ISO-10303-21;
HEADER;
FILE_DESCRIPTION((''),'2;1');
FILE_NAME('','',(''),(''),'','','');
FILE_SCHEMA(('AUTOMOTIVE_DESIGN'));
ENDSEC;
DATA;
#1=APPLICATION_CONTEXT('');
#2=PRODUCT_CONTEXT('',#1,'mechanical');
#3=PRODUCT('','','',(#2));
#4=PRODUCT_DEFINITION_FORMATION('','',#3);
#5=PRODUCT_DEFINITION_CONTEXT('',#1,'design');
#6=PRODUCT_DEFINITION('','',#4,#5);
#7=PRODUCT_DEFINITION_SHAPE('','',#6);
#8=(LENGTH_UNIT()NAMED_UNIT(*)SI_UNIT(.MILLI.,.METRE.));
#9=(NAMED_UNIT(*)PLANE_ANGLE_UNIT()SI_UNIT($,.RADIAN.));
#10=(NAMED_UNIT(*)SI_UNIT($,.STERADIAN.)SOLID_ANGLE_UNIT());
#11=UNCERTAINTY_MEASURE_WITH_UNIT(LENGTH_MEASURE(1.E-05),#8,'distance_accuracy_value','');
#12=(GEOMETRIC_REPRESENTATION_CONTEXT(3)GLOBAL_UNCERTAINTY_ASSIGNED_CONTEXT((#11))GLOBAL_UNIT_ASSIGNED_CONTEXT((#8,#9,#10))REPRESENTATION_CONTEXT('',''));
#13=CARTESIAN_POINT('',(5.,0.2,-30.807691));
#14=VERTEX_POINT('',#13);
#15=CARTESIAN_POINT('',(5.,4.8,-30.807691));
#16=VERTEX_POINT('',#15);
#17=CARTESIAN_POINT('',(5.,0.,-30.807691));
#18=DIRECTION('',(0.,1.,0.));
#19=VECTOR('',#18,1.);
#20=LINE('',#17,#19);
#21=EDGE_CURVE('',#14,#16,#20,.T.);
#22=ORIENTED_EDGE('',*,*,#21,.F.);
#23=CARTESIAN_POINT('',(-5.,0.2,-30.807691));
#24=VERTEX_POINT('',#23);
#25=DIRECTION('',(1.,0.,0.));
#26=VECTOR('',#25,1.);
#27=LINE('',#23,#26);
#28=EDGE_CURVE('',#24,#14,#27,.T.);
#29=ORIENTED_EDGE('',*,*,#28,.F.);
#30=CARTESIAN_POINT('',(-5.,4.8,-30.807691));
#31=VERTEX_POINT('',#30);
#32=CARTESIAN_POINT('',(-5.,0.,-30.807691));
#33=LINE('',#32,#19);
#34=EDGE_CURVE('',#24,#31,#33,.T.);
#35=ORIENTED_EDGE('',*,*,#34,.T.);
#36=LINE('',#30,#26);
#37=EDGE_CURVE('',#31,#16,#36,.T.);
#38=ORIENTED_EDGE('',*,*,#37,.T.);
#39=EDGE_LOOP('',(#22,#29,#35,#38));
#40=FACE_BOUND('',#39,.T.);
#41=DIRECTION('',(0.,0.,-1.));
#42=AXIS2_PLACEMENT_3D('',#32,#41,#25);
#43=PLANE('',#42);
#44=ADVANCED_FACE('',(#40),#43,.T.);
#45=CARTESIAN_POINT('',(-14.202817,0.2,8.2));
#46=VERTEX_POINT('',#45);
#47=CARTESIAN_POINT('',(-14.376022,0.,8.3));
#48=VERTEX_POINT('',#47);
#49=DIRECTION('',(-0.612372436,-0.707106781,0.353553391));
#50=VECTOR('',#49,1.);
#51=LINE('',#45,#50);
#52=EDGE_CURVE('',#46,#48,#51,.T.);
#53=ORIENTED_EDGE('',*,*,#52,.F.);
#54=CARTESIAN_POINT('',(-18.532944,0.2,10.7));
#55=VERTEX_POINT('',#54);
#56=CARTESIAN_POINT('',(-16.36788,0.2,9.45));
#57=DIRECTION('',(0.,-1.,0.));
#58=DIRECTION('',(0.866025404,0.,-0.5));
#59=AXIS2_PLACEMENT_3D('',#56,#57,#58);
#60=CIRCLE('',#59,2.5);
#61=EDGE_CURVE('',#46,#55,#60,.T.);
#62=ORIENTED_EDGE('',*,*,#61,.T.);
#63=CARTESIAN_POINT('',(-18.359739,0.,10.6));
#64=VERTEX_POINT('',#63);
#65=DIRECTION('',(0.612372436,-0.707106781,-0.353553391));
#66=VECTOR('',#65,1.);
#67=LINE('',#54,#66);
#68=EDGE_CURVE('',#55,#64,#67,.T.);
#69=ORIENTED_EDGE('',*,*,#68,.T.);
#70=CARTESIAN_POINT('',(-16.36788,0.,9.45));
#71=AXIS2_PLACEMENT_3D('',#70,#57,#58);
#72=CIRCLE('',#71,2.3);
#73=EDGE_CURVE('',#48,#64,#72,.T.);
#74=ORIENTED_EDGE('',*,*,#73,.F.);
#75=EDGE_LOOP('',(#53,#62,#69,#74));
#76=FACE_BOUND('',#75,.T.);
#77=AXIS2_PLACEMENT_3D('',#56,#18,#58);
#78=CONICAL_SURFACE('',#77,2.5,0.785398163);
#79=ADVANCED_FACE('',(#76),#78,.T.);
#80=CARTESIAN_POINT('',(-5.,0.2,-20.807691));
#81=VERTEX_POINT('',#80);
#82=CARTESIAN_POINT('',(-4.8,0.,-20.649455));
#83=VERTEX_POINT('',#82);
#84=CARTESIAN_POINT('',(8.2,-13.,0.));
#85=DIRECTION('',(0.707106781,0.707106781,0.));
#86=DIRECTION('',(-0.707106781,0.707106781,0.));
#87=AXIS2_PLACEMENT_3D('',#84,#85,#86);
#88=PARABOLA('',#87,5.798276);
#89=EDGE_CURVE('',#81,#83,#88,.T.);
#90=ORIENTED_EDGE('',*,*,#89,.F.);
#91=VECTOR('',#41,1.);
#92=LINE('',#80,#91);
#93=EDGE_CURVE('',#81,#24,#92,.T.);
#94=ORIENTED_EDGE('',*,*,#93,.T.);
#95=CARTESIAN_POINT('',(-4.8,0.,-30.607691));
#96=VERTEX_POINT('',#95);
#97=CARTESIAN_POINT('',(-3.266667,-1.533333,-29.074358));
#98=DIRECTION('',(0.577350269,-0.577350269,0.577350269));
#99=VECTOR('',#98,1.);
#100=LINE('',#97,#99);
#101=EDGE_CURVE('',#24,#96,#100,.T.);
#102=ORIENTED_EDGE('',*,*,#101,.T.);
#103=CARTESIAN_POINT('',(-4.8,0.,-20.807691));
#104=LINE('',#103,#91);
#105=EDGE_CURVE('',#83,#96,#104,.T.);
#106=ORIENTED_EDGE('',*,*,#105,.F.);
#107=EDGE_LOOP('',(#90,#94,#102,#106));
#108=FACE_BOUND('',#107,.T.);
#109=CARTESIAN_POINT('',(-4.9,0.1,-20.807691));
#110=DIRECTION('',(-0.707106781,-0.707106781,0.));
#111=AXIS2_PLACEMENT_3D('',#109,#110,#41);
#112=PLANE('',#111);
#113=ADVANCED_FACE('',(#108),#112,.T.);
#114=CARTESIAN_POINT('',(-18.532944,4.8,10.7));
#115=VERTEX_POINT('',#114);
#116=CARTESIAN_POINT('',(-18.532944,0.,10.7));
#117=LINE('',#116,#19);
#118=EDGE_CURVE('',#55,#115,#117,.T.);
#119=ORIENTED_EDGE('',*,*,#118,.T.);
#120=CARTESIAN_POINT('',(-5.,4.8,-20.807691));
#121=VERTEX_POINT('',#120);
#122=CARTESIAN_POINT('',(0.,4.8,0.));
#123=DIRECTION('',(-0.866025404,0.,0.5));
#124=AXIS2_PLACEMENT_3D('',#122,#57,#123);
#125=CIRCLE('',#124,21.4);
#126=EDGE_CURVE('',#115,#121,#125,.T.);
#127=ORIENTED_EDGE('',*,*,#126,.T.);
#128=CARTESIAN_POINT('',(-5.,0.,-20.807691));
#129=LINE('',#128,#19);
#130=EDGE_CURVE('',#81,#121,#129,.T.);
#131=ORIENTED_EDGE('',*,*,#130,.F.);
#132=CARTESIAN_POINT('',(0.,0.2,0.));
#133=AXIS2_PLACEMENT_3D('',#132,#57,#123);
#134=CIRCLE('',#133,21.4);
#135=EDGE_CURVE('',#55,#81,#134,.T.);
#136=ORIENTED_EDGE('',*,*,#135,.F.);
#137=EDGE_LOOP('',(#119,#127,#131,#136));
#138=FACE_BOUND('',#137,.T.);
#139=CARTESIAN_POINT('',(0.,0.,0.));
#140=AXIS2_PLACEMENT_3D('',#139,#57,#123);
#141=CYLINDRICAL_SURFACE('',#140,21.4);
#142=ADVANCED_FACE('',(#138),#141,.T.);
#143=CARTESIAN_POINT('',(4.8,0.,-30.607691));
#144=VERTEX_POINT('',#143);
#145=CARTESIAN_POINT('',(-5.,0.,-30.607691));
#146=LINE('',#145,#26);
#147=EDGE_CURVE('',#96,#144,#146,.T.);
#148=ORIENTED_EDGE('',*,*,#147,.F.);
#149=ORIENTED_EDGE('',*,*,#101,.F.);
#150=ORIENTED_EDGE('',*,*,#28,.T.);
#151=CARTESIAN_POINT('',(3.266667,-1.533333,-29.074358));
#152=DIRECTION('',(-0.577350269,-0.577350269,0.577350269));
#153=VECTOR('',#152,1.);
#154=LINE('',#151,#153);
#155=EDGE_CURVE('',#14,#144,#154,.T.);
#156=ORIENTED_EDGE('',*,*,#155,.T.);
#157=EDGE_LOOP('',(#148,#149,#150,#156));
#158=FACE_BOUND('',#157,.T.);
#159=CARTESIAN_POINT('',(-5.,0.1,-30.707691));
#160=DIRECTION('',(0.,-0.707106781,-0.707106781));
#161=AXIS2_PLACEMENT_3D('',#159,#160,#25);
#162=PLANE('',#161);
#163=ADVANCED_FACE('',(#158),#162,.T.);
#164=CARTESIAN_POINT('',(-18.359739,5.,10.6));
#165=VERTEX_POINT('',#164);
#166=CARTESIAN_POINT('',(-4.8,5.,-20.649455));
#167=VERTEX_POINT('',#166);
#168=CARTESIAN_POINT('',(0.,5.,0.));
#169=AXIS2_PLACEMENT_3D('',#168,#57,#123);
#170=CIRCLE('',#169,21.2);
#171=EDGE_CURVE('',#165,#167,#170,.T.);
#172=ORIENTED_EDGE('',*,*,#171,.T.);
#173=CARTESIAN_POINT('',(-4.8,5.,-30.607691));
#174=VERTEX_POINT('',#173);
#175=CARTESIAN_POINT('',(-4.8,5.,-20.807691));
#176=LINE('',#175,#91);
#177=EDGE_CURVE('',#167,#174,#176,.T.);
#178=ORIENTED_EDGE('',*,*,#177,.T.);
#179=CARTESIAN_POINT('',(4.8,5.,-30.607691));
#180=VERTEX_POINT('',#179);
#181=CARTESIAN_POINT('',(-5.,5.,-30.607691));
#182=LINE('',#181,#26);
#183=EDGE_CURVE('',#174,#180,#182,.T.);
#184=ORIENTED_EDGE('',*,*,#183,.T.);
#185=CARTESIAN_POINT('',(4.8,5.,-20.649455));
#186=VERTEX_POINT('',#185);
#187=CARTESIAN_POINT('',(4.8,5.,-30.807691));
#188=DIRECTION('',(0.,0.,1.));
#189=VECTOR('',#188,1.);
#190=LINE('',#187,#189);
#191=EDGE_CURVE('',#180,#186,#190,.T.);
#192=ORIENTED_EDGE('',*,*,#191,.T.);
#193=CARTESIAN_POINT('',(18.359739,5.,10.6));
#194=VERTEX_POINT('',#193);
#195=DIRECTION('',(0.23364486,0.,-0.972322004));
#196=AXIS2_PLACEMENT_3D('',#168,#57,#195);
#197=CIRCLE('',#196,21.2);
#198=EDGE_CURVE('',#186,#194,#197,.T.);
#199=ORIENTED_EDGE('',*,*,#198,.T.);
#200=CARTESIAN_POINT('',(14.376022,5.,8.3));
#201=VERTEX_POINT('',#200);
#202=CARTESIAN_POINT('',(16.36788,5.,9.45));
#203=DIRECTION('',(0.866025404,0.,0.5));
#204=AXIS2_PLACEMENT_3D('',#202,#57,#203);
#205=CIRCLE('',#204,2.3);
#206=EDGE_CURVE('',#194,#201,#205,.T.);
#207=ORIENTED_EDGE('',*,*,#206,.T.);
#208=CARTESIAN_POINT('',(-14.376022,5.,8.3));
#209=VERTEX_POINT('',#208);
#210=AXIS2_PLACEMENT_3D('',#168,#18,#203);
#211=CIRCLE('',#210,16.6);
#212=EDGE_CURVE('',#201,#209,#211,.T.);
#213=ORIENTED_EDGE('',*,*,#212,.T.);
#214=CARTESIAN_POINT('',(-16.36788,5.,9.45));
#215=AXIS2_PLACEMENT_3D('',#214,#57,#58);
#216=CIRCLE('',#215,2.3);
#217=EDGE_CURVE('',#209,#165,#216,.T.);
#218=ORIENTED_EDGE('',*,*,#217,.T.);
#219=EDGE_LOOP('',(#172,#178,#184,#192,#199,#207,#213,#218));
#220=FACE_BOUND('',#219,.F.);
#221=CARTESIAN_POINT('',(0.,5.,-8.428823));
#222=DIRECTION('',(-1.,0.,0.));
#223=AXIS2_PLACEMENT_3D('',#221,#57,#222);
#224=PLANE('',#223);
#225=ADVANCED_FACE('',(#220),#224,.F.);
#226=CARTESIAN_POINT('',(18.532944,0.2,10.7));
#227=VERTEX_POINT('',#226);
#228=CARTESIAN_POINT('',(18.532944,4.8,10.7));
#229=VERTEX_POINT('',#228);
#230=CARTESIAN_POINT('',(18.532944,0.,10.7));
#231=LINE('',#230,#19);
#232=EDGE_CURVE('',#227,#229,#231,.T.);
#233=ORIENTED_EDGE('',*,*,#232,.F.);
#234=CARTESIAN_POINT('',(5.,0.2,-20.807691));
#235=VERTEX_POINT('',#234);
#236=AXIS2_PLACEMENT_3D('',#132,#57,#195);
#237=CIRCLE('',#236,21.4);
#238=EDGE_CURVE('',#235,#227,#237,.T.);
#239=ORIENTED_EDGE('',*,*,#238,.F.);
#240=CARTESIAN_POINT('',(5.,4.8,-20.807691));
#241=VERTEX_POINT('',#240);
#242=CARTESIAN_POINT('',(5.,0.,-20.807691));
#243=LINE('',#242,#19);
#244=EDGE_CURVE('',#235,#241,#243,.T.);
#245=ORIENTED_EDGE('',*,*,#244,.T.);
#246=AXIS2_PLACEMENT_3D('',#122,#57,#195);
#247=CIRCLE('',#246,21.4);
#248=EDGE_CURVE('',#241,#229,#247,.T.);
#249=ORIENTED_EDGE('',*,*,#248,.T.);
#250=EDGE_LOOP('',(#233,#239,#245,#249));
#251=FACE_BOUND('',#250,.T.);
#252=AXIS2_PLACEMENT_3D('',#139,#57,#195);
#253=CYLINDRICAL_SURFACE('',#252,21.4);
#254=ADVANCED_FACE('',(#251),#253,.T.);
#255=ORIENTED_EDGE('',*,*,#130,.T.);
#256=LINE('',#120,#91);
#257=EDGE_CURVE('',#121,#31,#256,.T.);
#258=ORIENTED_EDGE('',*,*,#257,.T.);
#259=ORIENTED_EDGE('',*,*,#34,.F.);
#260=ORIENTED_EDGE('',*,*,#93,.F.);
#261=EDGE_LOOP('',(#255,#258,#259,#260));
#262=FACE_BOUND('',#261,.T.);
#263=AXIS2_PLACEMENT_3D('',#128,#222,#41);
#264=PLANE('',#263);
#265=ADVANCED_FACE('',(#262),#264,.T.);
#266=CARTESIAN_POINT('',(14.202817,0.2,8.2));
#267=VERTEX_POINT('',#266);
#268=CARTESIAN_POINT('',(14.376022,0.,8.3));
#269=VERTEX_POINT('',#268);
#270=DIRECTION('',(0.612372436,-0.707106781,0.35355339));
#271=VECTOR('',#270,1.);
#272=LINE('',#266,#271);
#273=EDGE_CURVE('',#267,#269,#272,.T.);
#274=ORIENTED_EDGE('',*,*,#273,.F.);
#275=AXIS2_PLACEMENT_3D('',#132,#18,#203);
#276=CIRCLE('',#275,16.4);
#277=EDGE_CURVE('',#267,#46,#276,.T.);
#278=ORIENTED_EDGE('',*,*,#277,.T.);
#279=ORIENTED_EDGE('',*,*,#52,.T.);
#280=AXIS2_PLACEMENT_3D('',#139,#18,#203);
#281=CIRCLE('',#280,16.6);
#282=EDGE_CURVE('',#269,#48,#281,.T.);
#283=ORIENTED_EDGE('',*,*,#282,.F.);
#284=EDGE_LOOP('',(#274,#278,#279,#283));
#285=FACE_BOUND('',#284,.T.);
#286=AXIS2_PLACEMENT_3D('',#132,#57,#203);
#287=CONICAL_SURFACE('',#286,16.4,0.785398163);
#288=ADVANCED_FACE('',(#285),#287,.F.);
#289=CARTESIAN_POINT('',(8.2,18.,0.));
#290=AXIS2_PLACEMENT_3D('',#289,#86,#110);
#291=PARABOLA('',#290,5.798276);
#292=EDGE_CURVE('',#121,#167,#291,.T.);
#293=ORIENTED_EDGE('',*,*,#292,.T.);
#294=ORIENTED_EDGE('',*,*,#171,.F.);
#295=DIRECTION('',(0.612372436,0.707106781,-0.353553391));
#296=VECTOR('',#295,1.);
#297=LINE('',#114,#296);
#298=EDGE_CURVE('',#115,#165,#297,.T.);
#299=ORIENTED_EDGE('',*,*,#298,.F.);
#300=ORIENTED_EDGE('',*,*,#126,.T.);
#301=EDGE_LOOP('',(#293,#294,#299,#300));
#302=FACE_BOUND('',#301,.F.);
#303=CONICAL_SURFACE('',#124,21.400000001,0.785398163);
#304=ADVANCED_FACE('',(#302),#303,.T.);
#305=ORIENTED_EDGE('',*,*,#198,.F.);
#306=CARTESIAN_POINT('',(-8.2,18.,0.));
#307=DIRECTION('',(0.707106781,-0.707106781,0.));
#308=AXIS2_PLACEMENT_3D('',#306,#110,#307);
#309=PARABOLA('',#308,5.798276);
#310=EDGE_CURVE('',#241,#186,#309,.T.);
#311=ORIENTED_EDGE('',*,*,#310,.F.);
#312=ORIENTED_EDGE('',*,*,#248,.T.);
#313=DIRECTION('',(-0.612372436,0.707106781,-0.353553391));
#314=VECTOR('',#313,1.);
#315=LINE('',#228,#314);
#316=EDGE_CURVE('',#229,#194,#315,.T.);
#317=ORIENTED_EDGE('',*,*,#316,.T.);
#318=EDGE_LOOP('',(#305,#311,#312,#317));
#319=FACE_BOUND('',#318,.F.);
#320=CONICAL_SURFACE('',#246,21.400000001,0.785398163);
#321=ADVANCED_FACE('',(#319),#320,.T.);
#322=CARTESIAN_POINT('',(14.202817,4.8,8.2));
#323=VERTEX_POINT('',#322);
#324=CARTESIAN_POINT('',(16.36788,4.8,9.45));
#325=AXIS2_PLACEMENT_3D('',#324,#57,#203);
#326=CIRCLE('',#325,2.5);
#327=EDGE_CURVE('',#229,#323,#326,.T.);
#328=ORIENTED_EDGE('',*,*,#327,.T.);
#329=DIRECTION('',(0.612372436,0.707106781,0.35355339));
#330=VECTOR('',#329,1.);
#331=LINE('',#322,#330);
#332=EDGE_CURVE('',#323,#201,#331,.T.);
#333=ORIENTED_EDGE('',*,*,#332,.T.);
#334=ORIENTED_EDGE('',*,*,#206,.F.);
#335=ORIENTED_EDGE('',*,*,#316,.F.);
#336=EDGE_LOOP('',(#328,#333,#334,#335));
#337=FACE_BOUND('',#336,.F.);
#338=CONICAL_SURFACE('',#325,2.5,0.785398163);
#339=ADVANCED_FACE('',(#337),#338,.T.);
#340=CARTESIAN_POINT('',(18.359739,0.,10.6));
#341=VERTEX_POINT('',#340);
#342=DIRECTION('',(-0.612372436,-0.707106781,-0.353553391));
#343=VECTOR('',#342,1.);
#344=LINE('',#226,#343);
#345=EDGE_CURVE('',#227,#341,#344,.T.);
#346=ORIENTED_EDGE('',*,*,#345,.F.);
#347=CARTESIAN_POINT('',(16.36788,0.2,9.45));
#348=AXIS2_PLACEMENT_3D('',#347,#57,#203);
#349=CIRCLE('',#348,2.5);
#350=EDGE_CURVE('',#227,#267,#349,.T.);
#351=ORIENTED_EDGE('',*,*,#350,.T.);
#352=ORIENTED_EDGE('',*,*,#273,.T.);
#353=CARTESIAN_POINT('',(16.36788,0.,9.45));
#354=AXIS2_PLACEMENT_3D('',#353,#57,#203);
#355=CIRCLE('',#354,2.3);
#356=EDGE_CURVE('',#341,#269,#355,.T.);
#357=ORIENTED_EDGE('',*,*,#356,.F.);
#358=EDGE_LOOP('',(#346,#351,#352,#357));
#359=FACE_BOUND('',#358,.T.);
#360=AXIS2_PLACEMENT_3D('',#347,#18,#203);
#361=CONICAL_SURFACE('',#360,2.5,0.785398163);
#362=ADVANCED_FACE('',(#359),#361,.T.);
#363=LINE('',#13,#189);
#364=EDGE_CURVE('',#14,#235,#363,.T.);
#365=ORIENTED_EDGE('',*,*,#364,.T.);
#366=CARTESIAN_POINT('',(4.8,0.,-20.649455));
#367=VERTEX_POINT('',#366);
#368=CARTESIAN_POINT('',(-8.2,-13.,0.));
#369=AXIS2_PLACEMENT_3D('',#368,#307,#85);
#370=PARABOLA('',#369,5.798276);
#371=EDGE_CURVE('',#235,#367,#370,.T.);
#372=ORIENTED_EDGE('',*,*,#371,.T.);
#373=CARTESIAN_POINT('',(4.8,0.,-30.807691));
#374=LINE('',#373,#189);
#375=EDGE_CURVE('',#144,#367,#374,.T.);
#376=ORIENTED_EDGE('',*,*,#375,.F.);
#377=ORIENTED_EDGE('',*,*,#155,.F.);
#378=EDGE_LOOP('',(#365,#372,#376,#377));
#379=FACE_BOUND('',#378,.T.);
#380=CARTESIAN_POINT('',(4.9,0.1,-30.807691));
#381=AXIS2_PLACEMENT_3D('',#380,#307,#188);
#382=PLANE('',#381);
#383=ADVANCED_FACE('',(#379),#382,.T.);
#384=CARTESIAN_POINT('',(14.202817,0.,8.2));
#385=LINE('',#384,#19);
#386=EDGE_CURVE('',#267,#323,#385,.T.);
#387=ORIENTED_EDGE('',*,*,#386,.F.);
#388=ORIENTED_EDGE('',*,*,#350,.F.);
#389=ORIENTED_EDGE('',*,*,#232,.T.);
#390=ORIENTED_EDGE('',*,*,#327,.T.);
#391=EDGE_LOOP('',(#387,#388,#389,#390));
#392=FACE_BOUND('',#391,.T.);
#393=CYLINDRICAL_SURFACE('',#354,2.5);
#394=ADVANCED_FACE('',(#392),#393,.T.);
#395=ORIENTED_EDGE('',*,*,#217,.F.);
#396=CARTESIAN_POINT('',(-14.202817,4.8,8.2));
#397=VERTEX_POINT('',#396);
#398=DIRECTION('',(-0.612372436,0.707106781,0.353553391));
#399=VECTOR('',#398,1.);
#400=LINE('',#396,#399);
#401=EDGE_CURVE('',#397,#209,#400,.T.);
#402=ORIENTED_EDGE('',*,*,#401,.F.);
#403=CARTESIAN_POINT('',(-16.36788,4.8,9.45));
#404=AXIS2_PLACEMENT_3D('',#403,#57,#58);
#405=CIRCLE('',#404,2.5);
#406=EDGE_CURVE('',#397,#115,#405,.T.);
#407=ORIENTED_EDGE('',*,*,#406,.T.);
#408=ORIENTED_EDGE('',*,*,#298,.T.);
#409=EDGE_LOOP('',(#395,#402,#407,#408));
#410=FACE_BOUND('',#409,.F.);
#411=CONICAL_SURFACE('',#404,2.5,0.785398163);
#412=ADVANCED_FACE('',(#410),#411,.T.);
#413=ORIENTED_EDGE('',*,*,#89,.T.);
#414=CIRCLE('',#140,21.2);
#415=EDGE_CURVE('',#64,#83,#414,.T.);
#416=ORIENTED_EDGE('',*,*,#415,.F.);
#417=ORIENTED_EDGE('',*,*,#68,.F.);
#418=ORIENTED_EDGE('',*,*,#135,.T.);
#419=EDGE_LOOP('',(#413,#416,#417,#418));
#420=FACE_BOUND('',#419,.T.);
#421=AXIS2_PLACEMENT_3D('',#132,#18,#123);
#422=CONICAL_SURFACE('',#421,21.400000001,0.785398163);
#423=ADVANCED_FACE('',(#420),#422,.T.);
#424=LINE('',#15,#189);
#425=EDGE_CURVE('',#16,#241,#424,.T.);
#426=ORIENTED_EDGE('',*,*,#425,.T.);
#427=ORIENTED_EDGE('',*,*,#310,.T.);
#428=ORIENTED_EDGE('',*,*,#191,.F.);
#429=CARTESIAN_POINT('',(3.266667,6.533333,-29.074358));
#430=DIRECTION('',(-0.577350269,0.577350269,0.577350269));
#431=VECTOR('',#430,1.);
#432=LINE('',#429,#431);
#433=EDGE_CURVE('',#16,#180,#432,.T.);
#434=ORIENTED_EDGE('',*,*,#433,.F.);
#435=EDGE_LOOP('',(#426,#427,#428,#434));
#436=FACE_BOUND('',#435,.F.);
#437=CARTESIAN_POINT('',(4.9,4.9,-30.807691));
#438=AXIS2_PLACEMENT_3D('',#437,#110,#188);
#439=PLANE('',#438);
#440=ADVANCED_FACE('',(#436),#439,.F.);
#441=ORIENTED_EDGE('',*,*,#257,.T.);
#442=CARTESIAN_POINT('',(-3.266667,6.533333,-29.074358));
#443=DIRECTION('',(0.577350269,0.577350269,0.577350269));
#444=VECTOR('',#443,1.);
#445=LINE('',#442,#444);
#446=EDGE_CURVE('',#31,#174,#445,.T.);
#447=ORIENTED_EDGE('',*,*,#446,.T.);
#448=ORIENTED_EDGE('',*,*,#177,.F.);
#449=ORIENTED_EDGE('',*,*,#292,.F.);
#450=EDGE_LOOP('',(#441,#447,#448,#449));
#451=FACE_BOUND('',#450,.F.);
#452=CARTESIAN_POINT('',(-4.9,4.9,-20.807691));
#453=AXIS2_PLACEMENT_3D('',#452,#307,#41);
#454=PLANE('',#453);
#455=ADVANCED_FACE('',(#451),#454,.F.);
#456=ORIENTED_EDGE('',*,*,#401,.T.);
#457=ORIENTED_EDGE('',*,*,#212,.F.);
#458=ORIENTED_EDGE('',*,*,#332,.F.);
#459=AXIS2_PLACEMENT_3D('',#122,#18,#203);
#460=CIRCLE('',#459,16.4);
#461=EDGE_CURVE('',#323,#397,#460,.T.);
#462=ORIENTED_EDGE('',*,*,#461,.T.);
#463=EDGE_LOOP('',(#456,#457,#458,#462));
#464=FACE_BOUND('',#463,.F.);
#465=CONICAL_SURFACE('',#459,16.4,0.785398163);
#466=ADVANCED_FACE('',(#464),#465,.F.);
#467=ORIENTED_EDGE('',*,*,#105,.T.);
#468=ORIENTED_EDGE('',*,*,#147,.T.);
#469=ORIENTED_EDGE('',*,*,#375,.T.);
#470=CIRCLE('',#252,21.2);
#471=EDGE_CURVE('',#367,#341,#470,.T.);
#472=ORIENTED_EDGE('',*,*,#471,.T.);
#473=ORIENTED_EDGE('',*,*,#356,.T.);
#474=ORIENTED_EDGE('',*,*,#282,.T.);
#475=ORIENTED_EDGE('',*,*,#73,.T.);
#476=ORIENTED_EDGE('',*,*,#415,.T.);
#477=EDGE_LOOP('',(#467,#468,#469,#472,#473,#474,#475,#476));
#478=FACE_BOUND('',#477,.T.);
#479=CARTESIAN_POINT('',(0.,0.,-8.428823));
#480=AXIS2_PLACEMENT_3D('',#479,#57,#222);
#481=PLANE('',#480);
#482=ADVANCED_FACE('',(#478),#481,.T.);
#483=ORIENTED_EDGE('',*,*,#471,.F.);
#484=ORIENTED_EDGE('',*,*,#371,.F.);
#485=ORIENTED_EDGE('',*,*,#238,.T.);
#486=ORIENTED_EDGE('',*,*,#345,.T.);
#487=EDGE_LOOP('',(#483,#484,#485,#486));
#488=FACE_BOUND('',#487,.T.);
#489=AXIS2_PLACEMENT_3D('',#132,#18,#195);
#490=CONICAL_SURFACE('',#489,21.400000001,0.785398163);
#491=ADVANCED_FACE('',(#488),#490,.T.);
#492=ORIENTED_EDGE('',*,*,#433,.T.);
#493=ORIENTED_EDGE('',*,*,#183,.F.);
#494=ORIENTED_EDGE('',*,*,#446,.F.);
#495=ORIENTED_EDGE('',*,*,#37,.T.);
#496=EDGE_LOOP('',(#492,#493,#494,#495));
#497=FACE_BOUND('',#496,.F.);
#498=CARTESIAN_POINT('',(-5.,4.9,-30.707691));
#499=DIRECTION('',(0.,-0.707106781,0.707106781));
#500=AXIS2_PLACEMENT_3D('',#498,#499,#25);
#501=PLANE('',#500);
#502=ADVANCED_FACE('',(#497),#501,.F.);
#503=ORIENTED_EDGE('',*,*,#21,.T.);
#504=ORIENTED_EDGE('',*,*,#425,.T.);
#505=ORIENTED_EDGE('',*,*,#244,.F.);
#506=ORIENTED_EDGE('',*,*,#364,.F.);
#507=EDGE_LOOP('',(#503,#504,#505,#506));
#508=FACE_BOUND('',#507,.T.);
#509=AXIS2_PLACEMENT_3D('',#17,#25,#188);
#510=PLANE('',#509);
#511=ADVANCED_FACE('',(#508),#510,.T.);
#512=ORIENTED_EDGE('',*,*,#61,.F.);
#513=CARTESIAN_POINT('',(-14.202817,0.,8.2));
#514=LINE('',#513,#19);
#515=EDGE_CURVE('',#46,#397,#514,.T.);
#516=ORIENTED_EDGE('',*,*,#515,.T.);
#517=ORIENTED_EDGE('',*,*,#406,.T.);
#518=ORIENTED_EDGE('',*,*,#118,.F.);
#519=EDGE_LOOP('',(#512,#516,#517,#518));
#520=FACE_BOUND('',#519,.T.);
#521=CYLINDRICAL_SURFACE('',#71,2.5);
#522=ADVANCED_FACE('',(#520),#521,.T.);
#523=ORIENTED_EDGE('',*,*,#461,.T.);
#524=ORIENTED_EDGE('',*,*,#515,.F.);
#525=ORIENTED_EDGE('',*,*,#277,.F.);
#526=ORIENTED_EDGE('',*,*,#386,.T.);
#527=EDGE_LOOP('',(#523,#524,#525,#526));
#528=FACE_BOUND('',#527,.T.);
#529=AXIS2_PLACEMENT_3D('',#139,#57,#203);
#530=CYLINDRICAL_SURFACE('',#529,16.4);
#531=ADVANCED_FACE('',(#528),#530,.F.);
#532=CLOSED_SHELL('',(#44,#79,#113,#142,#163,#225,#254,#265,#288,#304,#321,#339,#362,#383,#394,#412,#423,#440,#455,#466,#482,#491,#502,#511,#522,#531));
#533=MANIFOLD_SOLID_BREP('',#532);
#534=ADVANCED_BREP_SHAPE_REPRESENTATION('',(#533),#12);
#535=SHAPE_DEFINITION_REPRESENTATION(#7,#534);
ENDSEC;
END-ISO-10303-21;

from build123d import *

# Parameters (mm, degrees)
BOSS_EXTRUDE1_DEPTH = 5
CHAMFER1_SIZE       = 0.2


with BuildPart() as part:
    # Sketch1 → Boss-Extrude1 (new body)
    with BuildSketch(Plane(origin=(0, 0, 0), x_dir=(1, 0, 0), z_dir=(0, 1, 0))):
        with BuildLine():
            Line((-5, 30.807690886), (5, 30.807690886))
            Line((5, 30.807690886), (5, 20.807690886))
            ThreePointArc((5, 20.807690886), (19.662998381, 8.445501445), (18.532943641, -10.7))
            ThreePointArc((18.532943641, -10.7), (15.117880132, -11.615063509), (14.202816622, -8.2))
            ThreePointArc((14.202816622, -8.2), (0, 16.4), (-14.202816622, -8.2))
            ThreePointArc((-14.202816622, -8.2), (-15.117880132, -11.615063509), (-18.532943641, -10.7))
            ThreePointArc((-18.532943641, -10.7), (-19.662998381, 8.445501445), (-5, 20.807690886))
            Line((-5, 20.807690886), (-5, 30.807690886))
        make_face()
    extrude(amount=BOSS_EXTRUDE1_DEPTH)

    # Chamfer1
    chamfer1_edges = [part.edges().sort_by_distance(p)[0] for p in [
        (15.117880132, 0, 11.615063509),
        (0, 0, -16.4),
        (-15.117880132, 0, 11.615063509),
        (-19.662998381, 0, -8.445501445),
        (0, 5, -16.4),
        (15.117880132, 5, 11.615063509),
        (19.662998381, 5, -8.445501445),
        (5, 5, -25.807690886),
        (0, 5, -30.807690886),
        (-5, 5, -25.807690886),
        (-19.662998381, 5, -8.445501445),
        (-5, 0, -25.807690886),
        (-15.117880132, 5, 11.615063509),
        (0, 0, -30.807690886),
        (5, 0, -25.807690886),
        (19.662998381, 0, -8.445501445),
    ]]
    chamfer(chamfer1_edges, length=CHAMFER1_SIZE)


solid = part.part
